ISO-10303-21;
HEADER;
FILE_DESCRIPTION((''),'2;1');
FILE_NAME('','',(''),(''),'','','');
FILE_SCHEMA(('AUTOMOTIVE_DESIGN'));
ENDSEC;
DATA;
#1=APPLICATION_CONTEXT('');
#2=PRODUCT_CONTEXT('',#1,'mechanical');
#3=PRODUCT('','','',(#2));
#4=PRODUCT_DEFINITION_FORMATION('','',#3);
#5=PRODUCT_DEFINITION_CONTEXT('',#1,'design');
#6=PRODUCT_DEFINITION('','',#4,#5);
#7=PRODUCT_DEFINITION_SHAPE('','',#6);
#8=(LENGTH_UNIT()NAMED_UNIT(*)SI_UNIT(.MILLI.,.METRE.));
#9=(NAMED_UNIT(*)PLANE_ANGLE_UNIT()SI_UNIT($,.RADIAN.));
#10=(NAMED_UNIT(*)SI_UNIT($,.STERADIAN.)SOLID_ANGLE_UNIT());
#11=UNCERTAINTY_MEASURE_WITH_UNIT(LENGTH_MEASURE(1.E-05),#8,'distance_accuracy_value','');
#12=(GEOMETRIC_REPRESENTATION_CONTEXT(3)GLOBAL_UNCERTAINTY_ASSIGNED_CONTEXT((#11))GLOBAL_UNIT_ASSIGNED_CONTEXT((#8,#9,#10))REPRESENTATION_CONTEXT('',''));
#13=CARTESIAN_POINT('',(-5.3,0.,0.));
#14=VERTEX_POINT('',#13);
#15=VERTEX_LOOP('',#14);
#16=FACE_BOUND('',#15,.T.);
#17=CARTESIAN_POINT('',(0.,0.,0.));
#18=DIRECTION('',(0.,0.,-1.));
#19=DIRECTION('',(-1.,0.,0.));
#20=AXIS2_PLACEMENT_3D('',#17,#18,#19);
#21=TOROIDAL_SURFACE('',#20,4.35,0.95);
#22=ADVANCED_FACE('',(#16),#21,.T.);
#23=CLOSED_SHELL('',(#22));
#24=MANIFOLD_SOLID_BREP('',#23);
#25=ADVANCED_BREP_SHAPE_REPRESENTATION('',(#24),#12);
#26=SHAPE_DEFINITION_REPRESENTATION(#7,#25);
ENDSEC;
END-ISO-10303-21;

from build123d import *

# Parameters (mm, degrees)
SKETCH2_R = 0.95


with BuildPart() as part:
    # Sweep1: sweep along a path in Sketch1
    with BuildLine(Plane.XY) as sweep1_path:
        CenterArc((0, 0), 3.4, 0, 360)
    # Sketch2 → Sweep1 (sweep)
    with BuildSketch(Plane(origin=(0, 0, 0), x_dir=(1, 0, 0), z_dir=(0, 1, 0))):
        with Locations((-4.35, 0)):
            Circle(SKETCH2_R)
    sweep(path=sweep1_path.line)


solid = part.part
